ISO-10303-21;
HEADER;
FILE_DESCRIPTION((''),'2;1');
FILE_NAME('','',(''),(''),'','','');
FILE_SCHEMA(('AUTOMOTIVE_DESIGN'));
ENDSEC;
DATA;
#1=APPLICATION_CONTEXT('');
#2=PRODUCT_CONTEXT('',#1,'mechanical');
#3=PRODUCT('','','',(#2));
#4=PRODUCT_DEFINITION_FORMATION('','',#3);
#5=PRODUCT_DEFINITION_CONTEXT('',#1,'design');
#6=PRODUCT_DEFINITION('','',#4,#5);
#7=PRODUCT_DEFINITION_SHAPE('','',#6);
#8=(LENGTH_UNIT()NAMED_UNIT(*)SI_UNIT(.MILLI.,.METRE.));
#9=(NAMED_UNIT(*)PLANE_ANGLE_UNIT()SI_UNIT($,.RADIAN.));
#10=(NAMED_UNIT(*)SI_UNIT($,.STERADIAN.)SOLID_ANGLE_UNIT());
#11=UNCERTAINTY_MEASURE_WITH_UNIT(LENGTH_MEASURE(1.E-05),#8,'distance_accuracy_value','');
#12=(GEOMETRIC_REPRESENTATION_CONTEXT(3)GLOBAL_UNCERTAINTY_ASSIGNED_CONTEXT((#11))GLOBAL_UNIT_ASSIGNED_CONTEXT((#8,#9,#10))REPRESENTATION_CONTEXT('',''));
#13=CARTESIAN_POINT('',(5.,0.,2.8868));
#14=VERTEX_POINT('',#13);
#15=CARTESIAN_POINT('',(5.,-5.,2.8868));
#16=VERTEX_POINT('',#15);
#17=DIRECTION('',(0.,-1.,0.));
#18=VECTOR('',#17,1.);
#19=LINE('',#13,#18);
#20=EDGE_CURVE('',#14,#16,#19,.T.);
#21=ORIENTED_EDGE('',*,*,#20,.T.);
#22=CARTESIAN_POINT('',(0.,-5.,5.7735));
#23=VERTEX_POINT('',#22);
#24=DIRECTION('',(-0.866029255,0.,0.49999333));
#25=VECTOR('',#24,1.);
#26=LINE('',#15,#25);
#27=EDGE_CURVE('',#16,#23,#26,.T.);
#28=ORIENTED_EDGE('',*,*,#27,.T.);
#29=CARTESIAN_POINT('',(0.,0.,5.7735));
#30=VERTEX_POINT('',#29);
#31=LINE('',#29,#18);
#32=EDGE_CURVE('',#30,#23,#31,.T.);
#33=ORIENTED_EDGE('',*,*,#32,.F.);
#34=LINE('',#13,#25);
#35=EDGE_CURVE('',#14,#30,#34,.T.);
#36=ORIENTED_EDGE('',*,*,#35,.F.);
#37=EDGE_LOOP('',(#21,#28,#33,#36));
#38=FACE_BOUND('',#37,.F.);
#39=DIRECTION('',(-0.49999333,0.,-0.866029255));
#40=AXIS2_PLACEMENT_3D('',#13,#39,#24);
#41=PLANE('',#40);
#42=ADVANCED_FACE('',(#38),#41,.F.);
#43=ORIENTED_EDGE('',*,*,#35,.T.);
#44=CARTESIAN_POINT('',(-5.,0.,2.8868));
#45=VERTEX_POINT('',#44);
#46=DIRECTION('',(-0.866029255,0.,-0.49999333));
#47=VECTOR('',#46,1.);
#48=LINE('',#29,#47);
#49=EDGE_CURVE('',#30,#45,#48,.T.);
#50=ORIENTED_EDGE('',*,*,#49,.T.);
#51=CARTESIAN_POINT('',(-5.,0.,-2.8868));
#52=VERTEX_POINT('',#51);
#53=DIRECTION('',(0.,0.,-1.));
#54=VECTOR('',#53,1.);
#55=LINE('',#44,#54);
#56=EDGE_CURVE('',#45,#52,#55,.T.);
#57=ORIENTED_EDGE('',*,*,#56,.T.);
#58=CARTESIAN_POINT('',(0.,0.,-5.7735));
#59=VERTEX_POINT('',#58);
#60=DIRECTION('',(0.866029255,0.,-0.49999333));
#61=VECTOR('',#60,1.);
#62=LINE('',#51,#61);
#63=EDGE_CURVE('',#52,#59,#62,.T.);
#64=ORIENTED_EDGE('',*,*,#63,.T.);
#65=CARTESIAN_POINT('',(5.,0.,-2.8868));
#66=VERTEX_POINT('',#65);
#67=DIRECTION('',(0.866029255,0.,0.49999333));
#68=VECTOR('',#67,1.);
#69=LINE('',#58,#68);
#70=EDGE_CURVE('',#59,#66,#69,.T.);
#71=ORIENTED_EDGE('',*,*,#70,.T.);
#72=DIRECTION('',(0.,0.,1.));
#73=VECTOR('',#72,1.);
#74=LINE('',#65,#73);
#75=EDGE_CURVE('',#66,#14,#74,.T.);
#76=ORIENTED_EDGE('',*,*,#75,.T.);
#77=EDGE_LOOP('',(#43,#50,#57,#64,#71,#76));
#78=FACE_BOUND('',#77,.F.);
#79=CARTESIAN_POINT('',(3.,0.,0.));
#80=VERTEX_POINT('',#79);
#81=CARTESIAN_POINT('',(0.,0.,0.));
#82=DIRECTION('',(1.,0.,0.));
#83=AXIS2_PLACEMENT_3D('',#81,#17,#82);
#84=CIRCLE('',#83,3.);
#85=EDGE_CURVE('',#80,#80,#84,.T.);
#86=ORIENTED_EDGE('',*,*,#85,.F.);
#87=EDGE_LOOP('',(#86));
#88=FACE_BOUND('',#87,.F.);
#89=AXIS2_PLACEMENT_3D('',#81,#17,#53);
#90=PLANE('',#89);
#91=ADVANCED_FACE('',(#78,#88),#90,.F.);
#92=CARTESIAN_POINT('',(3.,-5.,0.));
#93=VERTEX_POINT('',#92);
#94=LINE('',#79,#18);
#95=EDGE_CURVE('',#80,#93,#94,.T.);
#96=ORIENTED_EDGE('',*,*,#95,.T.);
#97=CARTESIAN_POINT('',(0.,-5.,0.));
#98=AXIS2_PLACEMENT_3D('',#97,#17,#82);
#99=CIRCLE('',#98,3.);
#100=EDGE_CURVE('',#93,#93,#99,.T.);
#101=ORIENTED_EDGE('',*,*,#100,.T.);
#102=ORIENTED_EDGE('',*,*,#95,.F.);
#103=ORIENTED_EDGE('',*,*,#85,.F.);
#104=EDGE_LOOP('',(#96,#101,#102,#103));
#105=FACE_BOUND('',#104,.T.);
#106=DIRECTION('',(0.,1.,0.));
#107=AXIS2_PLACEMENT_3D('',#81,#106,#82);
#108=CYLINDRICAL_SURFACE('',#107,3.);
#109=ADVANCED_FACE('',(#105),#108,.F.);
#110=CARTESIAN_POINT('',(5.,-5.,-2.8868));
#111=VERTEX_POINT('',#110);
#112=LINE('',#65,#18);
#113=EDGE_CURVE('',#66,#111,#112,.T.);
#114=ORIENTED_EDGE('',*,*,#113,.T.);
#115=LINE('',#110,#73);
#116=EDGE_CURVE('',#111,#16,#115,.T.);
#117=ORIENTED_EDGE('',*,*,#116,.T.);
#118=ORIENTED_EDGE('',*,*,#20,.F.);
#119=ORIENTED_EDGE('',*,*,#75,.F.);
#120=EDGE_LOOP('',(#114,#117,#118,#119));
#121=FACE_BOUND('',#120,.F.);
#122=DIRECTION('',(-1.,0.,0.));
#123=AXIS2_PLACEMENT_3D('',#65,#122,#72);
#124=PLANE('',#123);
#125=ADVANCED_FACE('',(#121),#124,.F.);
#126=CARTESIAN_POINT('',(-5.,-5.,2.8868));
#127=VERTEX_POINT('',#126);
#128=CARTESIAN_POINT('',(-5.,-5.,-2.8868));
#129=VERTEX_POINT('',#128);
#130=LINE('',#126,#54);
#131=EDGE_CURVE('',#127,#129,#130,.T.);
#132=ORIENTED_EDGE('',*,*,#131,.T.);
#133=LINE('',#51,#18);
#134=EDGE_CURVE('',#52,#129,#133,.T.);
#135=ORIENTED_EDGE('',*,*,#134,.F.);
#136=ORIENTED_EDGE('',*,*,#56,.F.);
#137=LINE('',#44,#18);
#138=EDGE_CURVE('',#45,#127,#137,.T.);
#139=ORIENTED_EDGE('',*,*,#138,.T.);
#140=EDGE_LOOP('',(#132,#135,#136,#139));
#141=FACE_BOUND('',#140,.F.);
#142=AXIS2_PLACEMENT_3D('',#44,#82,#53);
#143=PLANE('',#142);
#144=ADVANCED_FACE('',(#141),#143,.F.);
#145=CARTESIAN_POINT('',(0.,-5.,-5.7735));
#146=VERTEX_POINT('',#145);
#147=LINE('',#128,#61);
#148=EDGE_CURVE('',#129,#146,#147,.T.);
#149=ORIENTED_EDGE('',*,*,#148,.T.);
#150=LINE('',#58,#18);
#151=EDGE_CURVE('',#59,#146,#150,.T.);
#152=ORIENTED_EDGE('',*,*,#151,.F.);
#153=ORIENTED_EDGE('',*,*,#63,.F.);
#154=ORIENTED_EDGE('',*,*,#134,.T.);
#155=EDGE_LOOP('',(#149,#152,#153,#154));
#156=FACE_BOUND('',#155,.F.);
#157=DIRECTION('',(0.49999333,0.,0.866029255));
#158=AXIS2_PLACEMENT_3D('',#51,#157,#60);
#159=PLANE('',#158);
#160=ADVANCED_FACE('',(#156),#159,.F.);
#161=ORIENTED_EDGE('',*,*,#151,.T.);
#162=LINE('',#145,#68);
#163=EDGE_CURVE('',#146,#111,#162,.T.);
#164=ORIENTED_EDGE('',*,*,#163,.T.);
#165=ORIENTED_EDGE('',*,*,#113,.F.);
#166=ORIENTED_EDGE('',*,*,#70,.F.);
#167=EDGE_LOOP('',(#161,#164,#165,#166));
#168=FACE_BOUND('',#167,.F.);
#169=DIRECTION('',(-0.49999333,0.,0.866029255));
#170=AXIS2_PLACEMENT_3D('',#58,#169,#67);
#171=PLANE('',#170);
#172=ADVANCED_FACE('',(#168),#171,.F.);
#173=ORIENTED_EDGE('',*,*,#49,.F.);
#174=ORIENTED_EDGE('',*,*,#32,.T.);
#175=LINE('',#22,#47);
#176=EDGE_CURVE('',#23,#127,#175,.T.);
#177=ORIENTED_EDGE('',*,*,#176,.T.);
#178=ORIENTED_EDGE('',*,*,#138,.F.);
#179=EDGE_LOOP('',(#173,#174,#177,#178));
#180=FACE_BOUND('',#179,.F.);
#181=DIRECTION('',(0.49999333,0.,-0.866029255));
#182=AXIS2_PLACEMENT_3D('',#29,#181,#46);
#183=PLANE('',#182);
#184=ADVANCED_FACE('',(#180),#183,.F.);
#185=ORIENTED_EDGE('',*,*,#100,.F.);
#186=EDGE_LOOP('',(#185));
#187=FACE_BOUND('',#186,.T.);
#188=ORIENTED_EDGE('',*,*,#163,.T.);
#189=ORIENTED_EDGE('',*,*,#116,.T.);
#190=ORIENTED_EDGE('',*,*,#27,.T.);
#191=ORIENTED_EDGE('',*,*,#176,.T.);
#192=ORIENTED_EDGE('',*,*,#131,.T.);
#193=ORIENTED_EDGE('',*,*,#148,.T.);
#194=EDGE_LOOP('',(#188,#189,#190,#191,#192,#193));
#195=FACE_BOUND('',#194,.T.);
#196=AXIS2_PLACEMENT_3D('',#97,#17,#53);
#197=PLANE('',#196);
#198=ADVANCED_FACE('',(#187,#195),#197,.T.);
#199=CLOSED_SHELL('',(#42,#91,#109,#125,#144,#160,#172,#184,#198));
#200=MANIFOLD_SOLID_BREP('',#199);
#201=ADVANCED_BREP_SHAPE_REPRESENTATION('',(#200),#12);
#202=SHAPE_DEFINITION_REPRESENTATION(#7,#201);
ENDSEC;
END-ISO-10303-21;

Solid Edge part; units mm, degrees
sketch "Sketch1" plane through (0, 0, 0) normal (0, -1, 0) x (1, 0, 0)
  circle A0 centre (0, 0) radius 3
  line L0 (5, 2.8868) -> (0, 5.7735)
  line L1 (0, 5.7735) -> (-5, 2.8868)
  line L2 (-5, 2.8868) -> (-5, -2.8868)
  line L3 (-5, -2.8868) -> (0, -5.7735)
  line L4 (0, -5.7735) -> (5, -2.8868)
  line L5 (5, -2.8868) -> (5, 2.8868)
  dimension "D1" = 10
  dimension "D2" = 6
extrude "Protrusion1" add sketch "Sketch1" along normal blind 5
cosmetic_thread "Thread1" size "M6"
properties material "NYLON"
